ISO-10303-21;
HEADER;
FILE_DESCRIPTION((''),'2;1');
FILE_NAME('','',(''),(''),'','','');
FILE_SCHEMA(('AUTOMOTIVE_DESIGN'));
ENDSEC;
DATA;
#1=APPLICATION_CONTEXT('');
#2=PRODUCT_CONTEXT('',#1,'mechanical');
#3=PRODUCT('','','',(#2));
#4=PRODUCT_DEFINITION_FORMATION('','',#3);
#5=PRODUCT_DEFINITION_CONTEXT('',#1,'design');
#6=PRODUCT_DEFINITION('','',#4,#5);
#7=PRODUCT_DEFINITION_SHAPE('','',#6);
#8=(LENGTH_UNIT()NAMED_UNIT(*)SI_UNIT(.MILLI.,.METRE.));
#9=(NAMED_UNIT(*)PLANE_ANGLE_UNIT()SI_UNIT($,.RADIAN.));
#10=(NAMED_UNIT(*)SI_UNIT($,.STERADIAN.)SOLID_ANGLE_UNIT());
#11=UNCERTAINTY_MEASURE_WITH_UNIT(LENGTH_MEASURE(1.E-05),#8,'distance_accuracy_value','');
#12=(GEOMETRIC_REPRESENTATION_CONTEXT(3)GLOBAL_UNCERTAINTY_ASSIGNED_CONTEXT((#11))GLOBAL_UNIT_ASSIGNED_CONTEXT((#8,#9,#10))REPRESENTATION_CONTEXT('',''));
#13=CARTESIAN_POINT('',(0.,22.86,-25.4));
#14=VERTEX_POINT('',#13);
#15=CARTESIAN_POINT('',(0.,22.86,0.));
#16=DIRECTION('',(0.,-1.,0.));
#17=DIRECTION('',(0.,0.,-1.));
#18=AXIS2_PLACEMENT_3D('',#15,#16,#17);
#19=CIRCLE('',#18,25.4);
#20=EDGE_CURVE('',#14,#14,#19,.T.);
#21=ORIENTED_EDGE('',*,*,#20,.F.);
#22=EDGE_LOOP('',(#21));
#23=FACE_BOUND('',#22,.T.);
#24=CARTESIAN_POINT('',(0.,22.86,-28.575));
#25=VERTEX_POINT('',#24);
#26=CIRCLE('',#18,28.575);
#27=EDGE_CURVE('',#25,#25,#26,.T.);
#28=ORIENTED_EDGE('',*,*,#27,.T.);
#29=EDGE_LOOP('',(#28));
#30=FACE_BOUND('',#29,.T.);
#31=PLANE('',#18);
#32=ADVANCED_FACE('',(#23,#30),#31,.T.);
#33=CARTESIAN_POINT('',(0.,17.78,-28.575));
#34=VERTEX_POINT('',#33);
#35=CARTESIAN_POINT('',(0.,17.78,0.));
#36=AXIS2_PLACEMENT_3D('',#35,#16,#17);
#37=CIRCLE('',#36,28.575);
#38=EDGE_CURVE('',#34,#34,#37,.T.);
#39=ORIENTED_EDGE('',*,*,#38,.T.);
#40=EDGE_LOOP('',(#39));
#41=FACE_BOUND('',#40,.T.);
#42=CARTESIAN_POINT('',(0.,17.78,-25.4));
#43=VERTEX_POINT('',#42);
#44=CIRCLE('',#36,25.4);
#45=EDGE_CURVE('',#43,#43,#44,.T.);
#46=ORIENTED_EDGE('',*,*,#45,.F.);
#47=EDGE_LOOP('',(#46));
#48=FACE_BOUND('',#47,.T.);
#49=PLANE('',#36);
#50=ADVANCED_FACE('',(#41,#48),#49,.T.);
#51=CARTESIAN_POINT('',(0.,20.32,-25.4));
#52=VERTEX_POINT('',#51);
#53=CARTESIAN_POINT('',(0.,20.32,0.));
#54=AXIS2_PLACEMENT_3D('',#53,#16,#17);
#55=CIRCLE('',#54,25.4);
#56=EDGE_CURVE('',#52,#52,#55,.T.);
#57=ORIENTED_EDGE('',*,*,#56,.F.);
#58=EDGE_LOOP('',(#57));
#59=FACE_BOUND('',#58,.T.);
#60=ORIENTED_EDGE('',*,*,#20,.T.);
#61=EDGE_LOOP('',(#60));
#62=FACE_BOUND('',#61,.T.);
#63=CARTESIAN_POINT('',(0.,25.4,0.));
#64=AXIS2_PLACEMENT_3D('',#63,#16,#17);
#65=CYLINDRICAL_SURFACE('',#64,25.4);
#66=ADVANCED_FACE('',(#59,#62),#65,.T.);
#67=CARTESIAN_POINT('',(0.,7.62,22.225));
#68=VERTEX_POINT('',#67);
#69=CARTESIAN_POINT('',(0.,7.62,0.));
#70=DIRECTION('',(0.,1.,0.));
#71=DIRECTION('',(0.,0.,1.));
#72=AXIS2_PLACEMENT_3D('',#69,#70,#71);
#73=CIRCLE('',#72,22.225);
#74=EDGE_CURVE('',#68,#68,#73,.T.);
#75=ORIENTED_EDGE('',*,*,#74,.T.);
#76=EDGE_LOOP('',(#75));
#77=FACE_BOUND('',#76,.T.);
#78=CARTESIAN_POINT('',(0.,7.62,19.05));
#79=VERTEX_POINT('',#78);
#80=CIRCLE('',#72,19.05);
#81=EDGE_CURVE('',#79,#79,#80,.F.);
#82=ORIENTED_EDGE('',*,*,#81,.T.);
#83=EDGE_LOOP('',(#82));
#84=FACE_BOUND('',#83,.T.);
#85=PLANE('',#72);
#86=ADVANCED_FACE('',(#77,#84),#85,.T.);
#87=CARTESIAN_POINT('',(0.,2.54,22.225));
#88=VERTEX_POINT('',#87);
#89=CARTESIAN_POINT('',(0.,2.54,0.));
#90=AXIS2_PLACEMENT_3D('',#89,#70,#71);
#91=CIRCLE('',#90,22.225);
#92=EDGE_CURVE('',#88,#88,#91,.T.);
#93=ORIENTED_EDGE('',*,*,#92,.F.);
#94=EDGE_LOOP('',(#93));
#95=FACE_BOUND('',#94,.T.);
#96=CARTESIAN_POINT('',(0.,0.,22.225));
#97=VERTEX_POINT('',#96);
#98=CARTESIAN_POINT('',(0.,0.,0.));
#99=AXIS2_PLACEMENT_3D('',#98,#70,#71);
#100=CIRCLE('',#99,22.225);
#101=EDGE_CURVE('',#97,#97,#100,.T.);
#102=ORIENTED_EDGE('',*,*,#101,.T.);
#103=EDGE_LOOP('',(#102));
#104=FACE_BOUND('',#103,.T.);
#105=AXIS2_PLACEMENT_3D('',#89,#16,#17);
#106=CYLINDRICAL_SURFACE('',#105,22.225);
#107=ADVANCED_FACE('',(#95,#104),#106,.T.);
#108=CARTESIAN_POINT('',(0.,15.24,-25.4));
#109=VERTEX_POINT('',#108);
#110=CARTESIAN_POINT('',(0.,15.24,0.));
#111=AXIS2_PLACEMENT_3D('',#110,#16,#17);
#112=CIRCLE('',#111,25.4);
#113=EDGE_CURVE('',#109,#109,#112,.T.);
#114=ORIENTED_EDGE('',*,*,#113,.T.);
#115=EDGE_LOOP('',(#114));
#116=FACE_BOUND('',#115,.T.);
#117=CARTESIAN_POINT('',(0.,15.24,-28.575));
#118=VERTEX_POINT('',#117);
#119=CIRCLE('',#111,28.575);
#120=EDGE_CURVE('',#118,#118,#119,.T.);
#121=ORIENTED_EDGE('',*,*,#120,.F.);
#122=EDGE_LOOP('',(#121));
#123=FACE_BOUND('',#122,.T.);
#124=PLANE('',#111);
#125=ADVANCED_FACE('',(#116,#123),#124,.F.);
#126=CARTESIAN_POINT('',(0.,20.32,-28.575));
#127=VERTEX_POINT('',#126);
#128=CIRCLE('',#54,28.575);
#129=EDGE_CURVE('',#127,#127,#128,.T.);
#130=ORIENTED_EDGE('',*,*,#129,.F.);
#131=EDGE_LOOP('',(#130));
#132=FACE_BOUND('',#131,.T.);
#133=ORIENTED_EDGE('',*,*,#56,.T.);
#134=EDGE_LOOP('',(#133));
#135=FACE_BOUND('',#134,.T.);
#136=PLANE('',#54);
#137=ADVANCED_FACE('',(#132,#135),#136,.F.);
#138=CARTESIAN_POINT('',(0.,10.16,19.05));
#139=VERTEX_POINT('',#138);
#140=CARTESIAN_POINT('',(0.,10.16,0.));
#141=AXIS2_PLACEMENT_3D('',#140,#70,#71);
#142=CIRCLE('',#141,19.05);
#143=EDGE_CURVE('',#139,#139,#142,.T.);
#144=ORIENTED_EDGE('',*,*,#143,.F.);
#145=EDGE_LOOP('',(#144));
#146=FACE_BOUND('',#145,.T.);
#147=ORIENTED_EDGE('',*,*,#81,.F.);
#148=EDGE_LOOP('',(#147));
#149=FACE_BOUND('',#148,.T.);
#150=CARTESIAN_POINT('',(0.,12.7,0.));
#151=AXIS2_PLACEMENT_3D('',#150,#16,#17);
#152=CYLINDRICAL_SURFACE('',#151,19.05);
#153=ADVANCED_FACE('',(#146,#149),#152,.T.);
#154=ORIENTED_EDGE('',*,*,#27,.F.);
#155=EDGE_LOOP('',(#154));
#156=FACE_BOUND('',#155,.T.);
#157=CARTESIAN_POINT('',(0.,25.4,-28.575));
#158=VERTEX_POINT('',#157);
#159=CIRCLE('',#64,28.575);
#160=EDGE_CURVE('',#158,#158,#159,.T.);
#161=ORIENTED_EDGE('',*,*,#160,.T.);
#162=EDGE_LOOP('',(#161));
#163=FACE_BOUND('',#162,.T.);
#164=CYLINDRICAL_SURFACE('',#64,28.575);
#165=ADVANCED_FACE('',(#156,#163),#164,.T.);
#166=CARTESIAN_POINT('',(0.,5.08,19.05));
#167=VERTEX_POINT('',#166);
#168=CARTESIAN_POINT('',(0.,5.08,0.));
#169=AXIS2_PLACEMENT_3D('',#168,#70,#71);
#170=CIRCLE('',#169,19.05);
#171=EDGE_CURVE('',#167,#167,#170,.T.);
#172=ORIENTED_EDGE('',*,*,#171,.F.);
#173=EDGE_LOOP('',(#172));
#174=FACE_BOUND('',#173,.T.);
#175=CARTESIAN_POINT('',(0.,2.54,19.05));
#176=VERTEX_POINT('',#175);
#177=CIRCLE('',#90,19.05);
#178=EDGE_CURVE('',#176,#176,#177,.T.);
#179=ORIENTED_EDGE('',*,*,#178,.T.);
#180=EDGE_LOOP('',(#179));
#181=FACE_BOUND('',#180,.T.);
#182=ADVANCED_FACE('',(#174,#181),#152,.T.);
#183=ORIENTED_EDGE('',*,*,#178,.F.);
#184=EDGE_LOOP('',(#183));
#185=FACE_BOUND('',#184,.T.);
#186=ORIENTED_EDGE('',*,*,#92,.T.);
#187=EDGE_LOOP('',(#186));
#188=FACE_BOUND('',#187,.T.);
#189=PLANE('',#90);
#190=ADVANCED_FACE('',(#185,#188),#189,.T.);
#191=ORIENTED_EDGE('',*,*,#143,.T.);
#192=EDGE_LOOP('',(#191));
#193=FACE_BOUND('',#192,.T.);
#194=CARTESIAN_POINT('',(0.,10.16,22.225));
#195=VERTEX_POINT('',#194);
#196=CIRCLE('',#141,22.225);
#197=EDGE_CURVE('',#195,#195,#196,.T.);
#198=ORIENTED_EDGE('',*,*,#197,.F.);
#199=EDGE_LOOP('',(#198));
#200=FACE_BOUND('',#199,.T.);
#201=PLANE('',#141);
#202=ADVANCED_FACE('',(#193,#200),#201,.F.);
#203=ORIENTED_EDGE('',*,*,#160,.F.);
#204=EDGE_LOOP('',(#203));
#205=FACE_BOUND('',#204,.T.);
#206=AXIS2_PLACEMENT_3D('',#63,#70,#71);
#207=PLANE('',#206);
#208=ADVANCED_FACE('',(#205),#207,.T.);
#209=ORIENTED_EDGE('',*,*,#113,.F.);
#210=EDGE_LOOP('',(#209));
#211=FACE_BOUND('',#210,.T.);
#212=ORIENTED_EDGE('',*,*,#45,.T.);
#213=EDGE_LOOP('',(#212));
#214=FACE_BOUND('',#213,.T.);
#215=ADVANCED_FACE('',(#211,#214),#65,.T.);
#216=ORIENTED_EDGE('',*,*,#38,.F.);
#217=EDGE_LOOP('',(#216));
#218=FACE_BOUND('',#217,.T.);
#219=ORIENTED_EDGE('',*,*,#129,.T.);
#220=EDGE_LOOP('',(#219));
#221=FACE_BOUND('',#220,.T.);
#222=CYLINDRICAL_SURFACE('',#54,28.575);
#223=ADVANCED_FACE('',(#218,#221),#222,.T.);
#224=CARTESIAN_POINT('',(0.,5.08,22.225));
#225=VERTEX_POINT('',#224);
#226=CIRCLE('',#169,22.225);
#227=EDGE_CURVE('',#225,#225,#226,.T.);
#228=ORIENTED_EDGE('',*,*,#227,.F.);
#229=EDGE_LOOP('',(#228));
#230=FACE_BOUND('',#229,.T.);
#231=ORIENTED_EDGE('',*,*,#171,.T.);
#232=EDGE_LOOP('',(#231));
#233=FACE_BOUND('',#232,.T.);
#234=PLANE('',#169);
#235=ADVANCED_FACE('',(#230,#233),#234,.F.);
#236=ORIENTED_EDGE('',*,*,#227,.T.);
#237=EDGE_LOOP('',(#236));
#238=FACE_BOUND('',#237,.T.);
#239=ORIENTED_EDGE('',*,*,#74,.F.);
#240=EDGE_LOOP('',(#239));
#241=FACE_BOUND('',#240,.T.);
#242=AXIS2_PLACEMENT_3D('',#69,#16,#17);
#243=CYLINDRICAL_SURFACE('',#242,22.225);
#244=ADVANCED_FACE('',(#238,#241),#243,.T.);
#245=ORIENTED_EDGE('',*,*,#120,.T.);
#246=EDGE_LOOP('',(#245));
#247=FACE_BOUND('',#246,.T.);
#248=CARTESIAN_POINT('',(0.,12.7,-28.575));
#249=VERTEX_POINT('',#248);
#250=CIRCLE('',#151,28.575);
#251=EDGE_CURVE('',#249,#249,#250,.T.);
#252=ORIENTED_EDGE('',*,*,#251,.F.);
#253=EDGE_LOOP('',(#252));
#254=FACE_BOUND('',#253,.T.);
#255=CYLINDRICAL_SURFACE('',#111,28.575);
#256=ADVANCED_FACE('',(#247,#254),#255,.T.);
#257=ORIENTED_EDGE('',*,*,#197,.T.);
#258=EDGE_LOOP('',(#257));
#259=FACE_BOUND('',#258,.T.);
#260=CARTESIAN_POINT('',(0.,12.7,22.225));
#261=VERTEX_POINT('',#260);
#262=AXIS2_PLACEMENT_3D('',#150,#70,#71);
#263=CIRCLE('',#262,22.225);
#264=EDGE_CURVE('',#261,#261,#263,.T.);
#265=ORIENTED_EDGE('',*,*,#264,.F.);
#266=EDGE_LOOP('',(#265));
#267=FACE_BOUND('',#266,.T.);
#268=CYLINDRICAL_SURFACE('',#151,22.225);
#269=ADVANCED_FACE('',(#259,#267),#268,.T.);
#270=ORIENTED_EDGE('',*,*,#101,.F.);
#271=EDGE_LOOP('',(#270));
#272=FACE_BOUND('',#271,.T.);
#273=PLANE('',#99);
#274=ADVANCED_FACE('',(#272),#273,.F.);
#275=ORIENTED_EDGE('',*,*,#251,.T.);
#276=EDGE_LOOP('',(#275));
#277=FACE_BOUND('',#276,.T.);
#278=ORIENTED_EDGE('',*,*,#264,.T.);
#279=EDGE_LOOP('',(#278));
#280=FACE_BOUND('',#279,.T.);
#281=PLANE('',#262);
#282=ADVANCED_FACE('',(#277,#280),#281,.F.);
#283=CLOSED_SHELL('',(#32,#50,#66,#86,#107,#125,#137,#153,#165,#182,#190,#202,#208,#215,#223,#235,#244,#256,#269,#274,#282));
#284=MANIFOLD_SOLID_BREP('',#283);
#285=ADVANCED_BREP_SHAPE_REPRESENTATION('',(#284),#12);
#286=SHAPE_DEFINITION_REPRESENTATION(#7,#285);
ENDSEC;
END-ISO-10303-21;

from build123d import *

# Parameters (mm, degrees)
SKETCH1_R           = 22.225
SKETCH1_R_2         = 19.05
BOSS_EXTRUDE1_DEPTH = 2.54
SKETCH3_R           = 19.05
BOSS_EXTRUDE2_DEPTH = 12.7
LPATTERN1_COUNT     = 3
LPATTERN1_PITCH     = 5.08
SKETCH5_R           = 25.4
SKETCH5_R_2         = 22.225
BOSS_EXTRUDE3_DEPTH = 12.7
SKETCH7_R           = 28.575
BOSS_EXTRUDE4_DEPTH = 2.54
LPATTERN2_COUNT     = 3
LPATTERN2_PITCH     = 5.08


with BuildPart() as part:
    # Sketch1 → Boss-Extrude1 (new body)
    with BuildSketch(Plane(origin=(0, 0, 0), x_dir=(1, 0, 0), z_dir=(0, 1, 0))):
        with Locations(Location((0, 0, 0), (0, 0, 270))):
            Circle(SKETCH1_R)
        with Locations(Location((0, 0, 0), (0, 0, 270))):
            Circle(SKETCH1_R_2, mode=Mode.SUBTRACT)
    boss_extrude1 = extrude(amount=BOSS_EXTRUDE1_DEPTH)

    # Sketch3 → Boss-Extrude2 (add)
    with BuildSketch(Plane.XZ):
        with Locations(Location((0, 0, 0), (0, 0, 270))):
            Circle(SKETCH3_R)
    extrude(amount=-BOSS_EXTRUDE2_DEPTH)

    # LPattern1: Boss-Extrude1 ×3
    with Locations(*[(0, i * LPATTERN1_PITCH, 0) for i in range(1, LPATTERN1_COUNT)]):
        add(boss_extrude1)

    # Sketch5 → Boss-Extrude3 (add)
    # profile 1 of 2: a face of its own
    with BuildSketch(Plane(origin=(0, 12.7, 0), x_dir=(1, 0, 0), z_dir=(0, 1, 0))):
        with Locations(Location((0, 0, 0), (0, 0, 270))):
            Circle(SKETCH5_R)
        with Locations(Location((0, 0, 0), (0, 0, 270))):
            Circle(SKETCH5_R_2, mode=Mode.SUBTRACT)
    # profile 2 of 2: a face of its own
    with BuildSketch(Plane(origin=(0, 12.7, 0), x_dir=(1, 0, 0), z_dir=(0, 1, 0))):
        with Locations(Location((0, 0, 0), (0, 0, 270))):
            Circle(SKETCH5_R_2)
    extrude(amount=BOSS_EXTRUDE3_DEPTH)

    # Sketch7 → Boss-Extrude4 (add)
    with BuildSketch(Plane.XZ.offset(-12.7)):
        with Locations(Location((0, 0, 0), (0, 0, 270))):
            Circle(SKETCH7_R)
    boss_extrude4 = extrude(amount=-BOSS_EXTRUDE4_DEPTH)

    # LPattern2: Boss-Extrude4 ×3
    with Locations(*[(0, i * LPATTERN2_PITCH, 0) for i in range(1, LPATTERN2_COUNT)]):
        add(boss_extrude4)


solid = part.part
